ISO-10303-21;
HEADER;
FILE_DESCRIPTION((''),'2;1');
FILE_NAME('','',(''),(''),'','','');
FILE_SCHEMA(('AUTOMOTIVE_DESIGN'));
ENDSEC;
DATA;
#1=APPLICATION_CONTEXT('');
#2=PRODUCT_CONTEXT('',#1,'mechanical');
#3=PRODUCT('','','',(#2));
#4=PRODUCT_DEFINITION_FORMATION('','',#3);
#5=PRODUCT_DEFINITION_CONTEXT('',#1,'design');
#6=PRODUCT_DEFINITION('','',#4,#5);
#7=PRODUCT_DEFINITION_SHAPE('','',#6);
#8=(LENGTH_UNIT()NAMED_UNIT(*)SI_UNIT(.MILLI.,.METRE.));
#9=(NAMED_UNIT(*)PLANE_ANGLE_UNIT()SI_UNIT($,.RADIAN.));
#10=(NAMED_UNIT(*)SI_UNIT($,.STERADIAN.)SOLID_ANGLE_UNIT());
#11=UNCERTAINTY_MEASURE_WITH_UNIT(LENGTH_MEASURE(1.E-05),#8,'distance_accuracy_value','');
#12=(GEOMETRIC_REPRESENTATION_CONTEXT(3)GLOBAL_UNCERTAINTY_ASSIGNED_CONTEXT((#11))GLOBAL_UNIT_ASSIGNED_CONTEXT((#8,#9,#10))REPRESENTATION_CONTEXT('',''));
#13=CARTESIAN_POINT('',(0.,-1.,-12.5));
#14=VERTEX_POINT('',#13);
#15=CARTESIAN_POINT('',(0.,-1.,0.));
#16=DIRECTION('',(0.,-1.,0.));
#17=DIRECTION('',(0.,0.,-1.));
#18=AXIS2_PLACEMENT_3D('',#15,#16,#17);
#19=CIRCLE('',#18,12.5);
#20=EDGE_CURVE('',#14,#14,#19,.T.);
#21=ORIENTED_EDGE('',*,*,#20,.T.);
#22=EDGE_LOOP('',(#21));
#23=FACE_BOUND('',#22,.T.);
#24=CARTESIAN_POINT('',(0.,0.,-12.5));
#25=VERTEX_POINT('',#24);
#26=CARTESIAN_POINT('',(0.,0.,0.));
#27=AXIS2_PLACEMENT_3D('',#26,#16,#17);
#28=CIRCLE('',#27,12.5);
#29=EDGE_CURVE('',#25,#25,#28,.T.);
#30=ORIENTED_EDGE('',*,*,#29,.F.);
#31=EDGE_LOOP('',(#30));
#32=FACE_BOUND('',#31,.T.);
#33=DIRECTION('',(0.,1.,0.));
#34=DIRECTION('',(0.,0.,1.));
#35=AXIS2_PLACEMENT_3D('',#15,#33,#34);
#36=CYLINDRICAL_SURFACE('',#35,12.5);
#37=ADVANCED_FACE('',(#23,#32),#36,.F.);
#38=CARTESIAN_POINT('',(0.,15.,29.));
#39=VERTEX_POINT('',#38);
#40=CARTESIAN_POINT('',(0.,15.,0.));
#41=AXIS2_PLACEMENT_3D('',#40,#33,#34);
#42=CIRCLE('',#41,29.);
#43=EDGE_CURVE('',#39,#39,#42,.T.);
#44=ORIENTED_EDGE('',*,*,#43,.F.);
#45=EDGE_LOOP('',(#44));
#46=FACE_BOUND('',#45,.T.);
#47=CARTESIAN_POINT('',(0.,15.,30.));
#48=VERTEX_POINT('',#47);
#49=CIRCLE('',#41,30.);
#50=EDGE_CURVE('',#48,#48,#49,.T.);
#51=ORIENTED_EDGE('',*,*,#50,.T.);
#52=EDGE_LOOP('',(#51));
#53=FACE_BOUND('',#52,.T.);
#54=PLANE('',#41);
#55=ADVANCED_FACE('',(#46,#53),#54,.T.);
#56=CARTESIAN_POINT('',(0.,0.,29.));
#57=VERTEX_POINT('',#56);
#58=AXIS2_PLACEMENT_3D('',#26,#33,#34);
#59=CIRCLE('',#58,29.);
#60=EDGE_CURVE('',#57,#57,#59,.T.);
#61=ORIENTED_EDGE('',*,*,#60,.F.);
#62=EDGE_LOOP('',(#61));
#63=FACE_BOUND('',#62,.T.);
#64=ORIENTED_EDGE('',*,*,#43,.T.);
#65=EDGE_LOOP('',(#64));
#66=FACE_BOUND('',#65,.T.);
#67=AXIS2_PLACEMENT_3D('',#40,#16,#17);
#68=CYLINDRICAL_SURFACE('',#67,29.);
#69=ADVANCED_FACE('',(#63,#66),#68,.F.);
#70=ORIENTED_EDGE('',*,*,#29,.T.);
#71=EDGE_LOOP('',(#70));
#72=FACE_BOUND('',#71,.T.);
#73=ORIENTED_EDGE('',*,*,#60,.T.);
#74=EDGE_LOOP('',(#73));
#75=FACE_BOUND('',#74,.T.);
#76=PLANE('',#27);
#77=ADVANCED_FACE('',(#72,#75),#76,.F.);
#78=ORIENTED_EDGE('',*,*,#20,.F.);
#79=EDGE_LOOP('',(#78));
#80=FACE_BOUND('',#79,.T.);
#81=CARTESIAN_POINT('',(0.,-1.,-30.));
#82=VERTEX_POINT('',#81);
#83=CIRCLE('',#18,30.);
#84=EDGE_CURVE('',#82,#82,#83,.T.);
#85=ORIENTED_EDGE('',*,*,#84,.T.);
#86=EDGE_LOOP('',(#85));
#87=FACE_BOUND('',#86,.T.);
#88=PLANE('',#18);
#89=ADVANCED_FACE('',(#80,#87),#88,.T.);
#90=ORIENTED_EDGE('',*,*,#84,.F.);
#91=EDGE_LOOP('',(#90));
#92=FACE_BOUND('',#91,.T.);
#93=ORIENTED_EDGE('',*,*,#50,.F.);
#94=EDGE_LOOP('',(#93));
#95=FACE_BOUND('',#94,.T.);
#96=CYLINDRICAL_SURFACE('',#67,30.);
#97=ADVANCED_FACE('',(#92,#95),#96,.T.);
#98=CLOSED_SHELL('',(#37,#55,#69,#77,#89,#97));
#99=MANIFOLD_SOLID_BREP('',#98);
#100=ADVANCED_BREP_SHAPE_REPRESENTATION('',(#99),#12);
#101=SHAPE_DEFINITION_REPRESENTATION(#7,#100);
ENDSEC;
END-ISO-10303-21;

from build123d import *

# Parameters (mm, degrees)
SKETCH1_R           = 30
SKETCH1_R_2         = 29
BOSS_EXTRUDE1_DEPTH = 15
BOSS_EXTRUDE2_START = 1
SKETCH2_R           = 30
SKETCH2_R_2         = 12.5
BOSS_EXTRUDE2_DEPTH = 1


with BuildPart() as part:
    # Sketch1 → Boss-Extrude1 (new body)
    with BuildSketch(Plane(origin=(0, 0, 0), x_dir=(1, 0, 0), z_dir=(0, 1, 0))):
        with Locations(Location((0, 0, 0), (0, 0, 270))):
            Circle(SKETCH1_R)
        with Locations(Location((0, 0, 0), (0, 0, 270))):
            Circle(SKETCH1_R_2, mode=Mode.SUBTRACT)
    extrude(amount=BOSS_EXTRUDE1_DEPTH)

    # Sketch2 → Boss-Extrude2 (add)
    with BuildSketch(Plane.XZ.offset(BOSS_EXTRUDE2_START)):
        with Locations(Location((0, 0, 0), (0, 0, 270))):
            Circle(SKETCH2_R)
        with Locations(Location((0, 0, 0), (0, 0, 270))):
            Circle(SKETCH2_R_2, mode=Mode.SUBTRACT)
    extrude(amount=-BOSS_EXTRUDE2_DEPTH)


solid = part.part
